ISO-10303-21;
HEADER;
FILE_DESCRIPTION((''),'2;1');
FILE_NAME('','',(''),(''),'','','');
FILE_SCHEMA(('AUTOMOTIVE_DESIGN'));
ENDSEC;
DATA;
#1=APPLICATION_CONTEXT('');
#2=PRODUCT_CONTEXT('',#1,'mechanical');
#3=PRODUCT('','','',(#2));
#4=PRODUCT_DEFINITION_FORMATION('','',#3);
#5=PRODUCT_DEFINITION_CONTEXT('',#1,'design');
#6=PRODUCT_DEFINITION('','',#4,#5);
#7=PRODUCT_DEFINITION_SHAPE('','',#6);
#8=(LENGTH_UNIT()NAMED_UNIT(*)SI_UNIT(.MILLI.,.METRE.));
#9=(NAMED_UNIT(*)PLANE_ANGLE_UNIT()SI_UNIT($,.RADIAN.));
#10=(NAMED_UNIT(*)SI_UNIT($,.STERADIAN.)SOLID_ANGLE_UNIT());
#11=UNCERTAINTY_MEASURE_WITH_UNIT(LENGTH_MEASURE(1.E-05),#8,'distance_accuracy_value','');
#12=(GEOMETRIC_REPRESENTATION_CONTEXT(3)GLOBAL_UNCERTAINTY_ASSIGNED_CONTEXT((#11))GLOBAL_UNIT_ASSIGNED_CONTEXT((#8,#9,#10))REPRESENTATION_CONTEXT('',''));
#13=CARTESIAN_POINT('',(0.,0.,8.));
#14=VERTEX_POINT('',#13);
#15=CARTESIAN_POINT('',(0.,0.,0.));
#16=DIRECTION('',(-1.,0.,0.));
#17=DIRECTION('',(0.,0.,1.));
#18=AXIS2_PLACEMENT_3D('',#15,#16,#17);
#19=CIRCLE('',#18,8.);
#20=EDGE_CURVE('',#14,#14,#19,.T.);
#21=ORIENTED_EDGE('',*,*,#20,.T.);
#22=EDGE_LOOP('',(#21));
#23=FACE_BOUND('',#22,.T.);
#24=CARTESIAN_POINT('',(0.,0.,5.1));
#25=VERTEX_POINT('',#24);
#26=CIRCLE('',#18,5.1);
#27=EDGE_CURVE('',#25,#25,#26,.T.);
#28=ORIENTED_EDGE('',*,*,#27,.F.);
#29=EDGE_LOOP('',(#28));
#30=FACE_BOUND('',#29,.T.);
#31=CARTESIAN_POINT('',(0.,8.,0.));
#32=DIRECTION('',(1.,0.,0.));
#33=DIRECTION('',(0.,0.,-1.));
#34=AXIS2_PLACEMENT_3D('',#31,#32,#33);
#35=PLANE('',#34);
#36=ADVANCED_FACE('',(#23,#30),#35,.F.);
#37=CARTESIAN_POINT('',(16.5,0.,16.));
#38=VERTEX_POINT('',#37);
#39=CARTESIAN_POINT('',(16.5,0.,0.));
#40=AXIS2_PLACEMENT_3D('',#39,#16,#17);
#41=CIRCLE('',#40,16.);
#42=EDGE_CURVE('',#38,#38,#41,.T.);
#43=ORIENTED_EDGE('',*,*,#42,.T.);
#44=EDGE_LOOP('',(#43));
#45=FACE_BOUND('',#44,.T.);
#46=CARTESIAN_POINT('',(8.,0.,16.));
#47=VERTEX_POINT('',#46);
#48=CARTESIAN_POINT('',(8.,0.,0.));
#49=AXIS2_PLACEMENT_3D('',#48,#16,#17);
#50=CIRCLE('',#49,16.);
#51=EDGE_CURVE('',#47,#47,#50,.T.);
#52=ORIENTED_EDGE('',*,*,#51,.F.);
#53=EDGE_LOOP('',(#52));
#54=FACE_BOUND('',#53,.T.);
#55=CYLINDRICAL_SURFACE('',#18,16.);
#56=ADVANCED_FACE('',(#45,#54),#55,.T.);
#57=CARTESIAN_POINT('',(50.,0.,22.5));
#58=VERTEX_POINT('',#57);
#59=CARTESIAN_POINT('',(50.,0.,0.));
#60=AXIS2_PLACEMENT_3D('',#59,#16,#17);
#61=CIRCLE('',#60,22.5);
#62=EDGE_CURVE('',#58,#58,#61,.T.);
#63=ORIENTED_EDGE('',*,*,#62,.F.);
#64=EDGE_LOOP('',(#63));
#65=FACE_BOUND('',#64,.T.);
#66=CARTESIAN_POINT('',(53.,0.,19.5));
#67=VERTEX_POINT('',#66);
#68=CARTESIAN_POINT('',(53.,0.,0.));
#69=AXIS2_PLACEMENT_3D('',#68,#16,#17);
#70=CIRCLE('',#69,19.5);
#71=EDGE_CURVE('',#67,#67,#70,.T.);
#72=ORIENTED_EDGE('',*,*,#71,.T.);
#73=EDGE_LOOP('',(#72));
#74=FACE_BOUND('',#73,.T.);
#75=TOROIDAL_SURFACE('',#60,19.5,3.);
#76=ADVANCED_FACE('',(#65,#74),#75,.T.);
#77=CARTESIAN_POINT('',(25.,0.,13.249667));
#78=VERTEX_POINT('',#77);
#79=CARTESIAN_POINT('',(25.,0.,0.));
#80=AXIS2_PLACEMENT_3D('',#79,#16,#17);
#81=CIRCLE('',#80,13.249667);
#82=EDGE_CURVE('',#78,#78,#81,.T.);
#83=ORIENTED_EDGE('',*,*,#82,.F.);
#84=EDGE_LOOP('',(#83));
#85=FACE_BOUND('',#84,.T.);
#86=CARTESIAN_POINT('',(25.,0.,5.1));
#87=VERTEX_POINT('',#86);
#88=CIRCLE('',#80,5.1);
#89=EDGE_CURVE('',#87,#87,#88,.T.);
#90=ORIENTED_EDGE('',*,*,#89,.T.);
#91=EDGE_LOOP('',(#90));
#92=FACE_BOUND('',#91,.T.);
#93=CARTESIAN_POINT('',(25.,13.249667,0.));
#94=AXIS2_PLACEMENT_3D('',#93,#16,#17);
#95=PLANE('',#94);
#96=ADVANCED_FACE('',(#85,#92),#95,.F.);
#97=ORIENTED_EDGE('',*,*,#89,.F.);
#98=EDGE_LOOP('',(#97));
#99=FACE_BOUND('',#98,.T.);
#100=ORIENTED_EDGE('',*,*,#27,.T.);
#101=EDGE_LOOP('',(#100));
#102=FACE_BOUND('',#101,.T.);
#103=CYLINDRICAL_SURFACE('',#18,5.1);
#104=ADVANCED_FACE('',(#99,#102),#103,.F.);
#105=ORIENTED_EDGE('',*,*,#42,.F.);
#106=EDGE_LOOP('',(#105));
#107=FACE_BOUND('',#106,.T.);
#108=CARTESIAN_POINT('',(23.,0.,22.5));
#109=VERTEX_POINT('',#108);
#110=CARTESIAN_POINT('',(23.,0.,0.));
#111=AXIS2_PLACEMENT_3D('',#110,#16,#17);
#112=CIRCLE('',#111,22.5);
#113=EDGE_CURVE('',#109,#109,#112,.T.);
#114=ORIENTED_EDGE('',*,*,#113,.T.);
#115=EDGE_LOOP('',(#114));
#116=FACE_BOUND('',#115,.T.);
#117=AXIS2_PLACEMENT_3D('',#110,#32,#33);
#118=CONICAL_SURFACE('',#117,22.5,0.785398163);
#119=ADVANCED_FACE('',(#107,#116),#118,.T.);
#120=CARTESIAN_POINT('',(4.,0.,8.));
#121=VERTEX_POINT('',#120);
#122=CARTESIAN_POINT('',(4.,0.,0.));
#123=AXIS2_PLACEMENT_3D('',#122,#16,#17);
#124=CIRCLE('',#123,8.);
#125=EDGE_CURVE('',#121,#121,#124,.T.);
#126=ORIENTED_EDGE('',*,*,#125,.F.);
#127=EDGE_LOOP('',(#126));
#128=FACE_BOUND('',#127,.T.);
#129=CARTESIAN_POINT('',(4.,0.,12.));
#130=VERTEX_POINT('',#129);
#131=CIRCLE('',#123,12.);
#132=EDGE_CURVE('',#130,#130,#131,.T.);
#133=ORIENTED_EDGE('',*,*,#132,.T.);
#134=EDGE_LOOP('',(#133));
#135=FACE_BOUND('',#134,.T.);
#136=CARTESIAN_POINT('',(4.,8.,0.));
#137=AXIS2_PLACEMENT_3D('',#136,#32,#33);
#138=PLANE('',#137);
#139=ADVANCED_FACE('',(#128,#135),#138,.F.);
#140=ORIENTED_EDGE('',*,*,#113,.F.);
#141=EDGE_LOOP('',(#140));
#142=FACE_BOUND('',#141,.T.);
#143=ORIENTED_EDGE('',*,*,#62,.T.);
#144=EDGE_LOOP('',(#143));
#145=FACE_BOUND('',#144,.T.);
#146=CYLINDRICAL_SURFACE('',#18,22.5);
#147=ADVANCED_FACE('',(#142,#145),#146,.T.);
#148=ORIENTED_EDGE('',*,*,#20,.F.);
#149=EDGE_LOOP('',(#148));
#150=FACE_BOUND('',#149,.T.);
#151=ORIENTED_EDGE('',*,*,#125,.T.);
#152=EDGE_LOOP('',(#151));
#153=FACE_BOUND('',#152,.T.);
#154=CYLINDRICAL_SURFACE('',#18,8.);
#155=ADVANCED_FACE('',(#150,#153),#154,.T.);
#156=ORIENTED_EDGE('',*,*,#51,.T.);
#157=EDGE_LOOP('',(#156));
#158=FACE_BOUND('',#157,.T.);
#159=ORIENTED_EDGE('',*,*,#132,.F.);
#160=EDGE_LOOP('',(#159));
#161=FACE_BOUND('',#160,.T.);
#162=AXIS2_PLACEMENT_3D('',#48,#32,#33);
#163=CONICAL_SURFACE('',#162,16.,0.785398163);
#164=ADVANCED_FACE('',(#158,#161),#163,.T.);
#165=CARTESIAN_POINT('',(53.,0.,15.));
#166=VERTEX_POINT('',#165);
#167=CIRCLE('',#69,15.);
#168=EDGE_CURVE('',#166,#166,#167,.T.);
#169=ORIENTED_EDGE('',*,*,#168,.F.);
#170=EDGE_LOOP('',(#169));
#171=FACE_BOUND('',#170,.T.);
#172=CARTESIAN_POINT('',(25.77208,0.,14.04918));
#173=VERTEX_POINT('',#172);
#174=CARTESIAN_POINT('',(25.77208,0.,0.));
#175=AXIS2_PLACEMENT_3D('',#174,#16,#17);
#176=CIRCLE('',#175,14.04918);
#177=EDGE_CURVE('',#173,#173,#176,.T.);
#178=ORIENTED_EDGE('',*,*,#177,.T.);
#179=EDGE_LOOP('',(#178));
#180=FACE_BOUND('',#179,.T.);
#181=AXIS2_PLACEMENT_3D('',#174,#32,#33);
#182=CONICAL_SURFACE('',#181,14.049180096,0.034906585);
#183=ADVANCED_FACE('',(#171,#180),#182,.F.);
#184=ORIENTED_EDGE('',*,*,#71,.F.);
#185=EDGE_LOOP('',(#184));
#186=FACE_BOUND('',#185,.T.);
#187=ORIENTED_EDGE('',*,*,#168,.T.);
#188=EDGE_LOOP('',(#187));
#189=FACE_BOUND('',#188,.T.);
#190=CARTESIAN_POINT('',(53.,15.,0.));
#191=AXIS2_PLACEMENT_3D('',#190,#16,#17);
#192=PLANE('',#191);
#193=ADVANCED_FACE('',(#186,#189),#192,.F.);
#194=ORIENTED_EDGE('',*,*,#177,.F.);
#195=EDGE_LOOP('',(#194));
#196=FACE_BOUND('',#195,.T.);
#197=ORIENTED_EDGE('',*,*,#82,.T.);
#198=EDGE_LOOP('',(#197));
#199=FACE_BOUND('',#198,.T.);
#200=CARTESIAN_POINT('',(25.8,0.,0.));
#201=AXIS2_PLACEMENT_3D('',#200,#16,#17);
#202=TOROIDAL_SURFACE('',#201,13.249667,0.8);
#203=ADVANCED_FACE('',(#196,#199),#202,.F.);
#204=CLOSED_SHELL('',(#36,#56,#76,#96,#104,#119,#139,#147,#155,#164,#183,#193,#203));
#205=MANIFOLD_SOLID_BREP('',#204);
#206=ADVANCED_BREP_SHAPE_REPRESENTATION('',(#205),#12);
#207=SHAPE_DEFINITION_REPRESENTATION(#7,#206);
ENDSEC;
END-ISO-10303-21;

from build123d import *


with BuildPart() as part:
    # Sketch1 → Revolve1 (revolve)
    with BuildSketch(Plane.XY):
        with BuildLine():
            Line((0, 8), (4, 8))
            Line((4, 8), (4, 12))
            Line((4, 12), (8, 16))
            Line((8, 16), (16.5, 16))
            Line((16.5, 16), (23, 22.5))
            Line((23, 22.5), (50, 22.5))
            ThreePointArc((50, 22.5), (52.121320344, 21.621320344), (53, 19.5))
            Line((53, 19.5), (53, 15))
            Line((53, 15), (25.772080403, 14.049180096))
            ThreePointArc((25.772080403, 14.049180096), (25.22452816, 13.805394131), (25, 13.249667434))
            Line((25, 13.249667434), (25, 5.1))
            Line((25, 5.1), (0, 5.1))
            Line((0, 5.1), (0, 8))
        make_face()
    revolve(axis=Axis((0, 0, 0), (1, 0, 0)))


solid = part.part
